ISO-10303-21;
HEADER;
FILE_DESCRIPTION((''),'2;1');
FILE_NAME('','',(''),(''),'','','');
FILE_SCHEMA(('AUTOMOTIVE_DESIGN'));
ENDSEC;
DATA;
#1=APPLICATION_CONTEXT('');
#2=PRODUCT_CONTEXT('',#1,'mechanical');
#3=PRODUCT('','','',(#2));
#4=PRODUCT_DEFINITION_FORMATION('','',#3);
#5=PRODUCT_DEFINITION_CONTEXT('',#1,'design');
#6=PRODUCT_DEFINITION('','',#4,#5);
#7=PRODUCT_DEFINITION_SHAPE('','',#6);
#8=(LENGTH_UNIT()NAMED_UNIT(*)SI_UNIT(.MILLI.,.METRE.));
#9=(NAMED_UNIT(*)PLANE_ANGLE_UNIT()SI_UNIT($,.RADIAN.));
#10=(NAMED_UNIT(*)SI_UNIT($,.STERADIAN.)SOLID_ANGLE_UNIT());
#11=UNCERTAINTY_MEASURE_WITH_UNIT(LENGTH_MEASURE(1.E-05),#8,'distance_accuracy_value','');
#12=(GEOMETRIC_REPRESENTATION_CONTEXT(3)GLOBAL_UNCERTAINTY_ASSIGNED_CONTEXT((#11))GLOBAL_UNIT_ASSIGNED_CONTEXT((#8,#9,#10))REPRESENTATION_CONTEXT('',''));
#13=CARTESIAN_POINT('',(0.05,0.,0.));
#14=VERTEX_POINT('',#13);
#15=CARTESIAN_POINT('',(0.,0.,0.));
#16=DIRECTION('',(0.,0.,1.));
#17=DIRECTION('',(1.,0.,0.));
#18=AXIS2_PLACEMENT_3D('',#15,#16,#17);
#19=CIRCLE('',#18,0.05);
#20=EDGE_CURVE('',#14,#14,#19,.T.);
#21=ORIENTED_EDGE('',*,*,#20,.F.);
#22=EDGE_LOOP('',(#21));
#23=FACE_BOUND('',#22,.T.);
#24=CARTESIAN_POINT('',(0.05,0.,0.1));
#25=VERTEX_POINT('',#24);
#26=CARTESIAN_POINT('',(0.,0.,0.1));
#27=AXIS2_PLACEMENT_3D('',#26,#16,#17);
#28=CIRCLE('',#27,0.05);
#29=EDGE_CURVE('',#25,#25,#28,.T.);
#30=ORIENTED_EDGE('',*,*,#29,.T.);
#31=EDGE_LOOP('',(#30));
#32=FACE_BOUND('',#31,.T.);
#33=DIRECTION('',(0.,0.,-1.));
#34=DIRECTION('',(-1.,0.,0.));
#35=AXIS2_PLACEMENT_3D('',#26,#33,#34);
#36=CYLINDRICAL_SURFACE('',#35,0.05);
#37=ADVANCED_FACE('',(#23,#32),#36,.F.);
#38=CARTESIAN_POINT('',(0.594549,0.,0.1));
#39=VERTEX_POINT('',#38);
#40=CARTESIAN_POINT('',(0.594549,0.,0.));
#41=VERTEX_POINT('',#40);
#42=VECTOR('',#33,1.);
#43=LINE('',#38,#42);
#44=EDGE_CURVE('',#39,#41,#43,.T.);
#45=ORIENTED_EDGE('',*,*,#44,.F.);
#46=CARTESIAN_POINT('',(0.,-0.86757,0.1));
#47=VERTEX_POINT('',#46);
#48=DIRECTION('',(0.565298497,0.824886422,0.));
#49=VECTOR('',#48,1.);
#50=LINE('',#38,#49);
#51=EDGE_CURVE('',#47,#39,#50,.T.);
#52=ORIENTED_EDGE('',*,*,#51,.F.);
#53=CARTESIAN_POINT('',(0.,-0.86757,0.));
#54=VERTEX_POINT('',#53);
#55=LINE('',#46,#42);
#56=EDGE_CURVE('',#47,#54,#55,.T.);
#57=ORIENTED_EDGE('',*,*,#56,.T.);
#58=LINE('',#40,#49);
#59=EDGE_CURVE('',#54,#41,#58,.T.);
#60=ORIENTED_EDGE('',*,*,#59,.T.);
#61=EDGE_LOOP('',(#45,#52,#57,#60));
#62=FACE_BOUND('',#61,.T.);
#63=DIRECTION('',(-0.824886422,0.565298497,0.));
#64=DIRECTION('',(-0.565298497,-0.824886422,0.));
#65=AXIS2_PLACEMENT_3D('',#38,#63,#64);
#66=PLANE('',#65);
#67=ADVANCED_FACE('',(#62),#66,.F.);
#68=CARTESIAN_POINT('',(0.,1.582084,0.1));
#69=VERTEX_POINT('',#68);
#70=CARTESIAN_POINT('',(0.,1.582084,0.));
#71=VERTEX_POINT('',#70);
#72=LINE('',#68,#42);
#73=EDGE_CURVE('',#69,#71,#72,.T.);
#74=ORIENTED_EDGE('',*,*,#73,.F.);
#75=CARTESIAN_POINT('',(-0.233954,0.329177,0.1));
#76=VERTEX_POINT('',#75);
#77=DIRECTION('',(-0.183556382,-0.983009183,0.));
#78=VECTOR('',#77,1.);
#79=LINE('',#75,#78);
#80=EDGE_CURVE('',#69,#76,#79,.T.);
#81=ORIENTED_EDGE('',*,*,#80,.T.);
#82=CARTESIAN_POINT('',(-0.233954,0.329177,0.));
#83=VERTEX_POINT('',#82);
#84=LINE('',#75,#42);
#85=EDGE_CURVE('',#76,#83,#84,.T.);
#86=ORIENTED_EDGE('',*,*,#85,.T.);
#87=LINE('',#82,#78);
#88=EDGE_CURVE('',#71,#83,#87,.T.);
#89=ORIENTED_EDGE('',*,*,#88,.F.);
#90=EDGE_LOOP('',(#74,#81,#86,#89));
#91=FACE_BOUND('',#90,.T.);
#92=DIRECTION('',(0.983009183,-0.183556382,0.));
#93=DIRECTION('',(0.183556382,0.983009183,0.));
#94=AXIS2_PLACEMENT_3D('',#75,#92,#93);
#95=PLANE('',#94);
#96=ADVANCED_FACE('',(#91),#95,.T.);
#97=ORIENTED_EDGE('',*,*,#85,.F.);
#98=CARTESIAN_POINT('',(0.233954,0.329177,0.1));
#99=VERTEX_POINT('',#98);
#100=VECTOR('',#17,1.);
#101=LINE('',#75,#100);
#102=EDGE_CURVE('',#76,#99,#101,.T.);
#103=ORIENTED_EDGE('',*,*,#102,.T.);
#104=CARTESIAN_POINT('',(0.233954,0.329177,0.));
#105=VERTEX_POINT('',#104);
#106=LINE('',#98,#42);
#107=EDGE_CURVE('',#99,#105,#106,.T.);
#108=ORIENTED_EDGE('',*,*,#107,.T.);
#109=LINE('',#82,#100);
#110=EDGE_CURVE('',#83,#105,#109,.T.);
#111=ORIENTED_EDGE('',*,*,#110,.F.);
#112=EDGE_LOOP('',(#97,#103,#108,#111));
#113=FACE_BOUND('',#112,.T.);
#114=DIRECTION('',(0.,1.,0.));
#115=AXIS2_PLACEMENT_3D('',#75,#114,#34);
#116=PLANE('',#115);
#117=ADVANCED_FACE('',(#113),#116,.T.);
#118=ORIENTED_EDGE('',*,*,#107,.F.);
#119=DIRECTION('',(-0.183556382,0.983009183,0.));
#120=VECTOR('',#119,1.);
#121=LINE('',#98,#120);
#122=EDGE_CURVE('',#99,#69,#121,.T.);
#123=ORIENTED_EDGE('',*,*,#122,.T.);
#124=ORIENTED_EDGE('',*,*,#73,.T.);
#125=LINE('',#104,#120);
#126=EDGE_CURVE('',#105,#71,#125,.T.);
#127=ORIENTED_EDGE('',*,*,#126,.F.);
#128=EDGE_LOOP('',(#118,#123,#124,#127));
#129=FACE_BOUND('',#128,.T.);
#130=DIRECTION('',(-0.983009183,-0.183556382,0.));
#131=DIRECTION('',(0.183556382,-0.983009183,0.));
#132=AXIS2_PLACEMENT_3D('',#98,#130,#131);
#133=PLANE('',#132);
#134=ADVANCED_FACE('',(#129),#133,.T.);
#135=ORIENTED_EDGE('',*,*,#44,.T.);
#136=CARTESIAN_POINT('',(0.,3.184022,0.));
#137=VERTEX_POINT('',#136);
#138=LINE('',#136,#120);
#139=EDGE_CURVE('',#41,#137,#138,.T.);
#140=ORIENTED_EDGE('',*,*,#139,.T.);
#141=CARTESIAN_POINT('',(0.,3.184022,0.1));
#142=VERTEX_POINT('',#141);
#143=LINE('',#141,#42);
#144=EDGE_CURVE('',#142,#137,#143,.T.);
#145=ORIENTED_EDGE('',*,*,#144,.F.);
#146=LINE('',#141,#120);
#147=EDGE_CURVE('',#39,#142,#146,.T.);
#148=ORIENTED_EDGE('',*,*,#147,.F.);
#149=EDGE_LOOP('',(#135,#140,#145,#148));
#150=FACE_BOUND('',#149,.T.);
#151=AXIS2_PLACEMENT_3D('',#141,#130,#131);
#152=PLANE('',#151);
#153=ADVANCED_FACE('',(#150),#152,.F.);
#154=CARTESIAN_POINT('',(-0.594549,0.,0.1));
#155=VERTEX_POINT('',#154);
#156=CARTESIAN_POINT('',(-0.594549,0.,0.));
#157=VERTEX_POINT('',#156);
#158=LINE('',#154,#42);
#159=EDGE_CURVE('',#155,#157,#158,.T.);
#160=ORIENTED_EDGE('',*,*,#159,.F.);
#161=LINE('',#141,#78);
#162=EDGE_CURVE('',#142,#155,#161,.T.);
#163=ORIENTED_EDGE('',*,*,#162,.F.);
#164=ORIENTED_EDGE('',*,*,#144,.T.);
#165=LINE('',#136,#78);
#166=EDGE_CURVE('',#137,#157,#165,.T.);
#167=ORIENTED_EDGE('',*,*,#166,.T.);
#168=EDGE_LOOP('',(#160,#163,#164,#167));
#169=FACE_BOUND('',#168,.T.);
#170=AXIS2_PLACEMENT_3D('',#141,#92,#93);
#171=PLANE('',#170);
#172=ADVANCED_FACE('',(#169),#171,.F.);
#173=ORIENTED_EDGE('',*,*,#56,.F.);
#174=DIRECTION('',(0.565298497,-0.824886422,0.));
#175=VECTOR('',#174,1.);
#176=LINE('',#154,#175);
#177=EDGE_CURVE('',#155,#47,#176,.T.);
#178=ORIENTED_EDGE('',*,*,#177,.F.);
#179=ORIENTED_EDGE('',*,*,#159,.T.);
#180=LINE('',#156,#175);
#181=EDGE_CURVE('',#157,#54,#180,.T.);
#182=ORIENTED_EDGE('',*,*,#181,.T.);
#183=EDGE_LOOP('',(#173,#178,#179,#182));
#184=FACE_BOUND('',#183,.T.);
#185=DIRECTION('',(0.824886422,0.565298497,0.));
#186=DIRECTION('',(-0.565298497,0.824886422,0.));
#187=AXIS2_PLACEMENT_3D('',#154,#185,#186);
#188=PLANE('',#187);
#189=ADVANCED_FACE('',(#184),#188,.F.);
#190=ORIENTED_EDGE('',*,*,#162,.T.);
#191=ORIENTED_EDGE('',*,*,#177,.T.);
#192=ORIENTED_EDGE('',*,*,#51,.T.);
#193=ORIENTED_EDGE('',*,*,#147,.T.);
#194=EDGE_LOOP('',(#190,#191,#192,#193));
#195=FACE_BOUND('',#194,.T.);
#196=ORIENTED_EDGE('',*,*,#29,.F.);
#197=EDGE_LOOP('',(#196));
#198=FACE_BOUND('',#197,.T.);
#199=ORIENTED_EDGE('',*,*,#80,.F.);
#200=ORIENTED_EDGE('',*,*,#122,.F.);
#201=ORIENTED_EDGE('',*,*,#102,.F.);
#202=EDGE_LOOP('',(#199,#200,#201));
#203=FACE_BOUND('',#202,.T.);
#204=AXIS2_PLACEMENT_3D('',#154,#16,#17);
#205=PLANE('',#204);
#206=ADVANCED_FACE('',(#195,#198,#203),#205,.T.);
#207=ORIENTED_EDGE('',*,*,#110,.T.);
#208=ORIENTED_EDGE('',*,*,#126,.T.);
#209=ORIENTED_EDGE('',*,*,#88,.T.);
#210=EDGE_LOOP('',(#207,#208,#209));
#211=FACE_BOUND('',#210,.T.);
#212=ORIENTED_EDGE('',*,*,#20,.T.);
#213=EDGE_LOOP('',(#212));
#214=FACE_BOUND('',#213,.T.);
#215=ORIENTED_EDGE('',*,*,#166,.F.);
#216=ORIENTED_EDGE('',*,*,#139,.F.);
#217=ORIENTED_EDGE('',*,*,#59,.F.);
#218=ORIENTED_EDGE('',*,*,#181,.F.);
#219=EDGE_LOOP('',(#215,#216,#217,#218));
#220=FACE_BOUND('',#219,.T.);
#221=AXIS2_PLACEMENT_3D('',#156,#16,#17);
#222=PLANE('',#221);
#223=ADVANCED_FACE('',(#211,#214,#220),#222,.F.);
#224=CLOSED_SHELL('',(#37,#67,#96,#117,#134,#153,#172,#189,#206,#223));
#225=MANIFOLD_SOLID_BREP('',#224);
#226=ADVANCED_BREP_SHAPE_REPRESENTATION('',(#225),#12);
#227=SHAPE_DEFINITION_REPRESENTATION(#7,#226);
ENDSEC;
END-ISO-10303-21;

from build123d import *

# Parameters (mm, degrees)
SKETCH1_R           = 0.05
BOSS_EXTRUDE1_DEPTH = 0.1


with BuildPart() as part:
    # Sketch1 → Boss-Extrude1 (new body)
    with BuildSketch(Plane.XY):
        Polygon((0, 3.1840221), (0.594549459, 0), (0, -0.867569573), (-0.594549459, 0), align=None)
        Circle(SKETCH1_R, mode=Mode.SUBTRACT)
        Polygon((-0.233954096, 0.329177116), (0.233954096, 0.329177116), (0, 1.582083838), align=None, mode=Mode.SUBTRACT)
    extrude(amount=BOSS_EXTRUDE1_DEPTH)


solid = part.part
